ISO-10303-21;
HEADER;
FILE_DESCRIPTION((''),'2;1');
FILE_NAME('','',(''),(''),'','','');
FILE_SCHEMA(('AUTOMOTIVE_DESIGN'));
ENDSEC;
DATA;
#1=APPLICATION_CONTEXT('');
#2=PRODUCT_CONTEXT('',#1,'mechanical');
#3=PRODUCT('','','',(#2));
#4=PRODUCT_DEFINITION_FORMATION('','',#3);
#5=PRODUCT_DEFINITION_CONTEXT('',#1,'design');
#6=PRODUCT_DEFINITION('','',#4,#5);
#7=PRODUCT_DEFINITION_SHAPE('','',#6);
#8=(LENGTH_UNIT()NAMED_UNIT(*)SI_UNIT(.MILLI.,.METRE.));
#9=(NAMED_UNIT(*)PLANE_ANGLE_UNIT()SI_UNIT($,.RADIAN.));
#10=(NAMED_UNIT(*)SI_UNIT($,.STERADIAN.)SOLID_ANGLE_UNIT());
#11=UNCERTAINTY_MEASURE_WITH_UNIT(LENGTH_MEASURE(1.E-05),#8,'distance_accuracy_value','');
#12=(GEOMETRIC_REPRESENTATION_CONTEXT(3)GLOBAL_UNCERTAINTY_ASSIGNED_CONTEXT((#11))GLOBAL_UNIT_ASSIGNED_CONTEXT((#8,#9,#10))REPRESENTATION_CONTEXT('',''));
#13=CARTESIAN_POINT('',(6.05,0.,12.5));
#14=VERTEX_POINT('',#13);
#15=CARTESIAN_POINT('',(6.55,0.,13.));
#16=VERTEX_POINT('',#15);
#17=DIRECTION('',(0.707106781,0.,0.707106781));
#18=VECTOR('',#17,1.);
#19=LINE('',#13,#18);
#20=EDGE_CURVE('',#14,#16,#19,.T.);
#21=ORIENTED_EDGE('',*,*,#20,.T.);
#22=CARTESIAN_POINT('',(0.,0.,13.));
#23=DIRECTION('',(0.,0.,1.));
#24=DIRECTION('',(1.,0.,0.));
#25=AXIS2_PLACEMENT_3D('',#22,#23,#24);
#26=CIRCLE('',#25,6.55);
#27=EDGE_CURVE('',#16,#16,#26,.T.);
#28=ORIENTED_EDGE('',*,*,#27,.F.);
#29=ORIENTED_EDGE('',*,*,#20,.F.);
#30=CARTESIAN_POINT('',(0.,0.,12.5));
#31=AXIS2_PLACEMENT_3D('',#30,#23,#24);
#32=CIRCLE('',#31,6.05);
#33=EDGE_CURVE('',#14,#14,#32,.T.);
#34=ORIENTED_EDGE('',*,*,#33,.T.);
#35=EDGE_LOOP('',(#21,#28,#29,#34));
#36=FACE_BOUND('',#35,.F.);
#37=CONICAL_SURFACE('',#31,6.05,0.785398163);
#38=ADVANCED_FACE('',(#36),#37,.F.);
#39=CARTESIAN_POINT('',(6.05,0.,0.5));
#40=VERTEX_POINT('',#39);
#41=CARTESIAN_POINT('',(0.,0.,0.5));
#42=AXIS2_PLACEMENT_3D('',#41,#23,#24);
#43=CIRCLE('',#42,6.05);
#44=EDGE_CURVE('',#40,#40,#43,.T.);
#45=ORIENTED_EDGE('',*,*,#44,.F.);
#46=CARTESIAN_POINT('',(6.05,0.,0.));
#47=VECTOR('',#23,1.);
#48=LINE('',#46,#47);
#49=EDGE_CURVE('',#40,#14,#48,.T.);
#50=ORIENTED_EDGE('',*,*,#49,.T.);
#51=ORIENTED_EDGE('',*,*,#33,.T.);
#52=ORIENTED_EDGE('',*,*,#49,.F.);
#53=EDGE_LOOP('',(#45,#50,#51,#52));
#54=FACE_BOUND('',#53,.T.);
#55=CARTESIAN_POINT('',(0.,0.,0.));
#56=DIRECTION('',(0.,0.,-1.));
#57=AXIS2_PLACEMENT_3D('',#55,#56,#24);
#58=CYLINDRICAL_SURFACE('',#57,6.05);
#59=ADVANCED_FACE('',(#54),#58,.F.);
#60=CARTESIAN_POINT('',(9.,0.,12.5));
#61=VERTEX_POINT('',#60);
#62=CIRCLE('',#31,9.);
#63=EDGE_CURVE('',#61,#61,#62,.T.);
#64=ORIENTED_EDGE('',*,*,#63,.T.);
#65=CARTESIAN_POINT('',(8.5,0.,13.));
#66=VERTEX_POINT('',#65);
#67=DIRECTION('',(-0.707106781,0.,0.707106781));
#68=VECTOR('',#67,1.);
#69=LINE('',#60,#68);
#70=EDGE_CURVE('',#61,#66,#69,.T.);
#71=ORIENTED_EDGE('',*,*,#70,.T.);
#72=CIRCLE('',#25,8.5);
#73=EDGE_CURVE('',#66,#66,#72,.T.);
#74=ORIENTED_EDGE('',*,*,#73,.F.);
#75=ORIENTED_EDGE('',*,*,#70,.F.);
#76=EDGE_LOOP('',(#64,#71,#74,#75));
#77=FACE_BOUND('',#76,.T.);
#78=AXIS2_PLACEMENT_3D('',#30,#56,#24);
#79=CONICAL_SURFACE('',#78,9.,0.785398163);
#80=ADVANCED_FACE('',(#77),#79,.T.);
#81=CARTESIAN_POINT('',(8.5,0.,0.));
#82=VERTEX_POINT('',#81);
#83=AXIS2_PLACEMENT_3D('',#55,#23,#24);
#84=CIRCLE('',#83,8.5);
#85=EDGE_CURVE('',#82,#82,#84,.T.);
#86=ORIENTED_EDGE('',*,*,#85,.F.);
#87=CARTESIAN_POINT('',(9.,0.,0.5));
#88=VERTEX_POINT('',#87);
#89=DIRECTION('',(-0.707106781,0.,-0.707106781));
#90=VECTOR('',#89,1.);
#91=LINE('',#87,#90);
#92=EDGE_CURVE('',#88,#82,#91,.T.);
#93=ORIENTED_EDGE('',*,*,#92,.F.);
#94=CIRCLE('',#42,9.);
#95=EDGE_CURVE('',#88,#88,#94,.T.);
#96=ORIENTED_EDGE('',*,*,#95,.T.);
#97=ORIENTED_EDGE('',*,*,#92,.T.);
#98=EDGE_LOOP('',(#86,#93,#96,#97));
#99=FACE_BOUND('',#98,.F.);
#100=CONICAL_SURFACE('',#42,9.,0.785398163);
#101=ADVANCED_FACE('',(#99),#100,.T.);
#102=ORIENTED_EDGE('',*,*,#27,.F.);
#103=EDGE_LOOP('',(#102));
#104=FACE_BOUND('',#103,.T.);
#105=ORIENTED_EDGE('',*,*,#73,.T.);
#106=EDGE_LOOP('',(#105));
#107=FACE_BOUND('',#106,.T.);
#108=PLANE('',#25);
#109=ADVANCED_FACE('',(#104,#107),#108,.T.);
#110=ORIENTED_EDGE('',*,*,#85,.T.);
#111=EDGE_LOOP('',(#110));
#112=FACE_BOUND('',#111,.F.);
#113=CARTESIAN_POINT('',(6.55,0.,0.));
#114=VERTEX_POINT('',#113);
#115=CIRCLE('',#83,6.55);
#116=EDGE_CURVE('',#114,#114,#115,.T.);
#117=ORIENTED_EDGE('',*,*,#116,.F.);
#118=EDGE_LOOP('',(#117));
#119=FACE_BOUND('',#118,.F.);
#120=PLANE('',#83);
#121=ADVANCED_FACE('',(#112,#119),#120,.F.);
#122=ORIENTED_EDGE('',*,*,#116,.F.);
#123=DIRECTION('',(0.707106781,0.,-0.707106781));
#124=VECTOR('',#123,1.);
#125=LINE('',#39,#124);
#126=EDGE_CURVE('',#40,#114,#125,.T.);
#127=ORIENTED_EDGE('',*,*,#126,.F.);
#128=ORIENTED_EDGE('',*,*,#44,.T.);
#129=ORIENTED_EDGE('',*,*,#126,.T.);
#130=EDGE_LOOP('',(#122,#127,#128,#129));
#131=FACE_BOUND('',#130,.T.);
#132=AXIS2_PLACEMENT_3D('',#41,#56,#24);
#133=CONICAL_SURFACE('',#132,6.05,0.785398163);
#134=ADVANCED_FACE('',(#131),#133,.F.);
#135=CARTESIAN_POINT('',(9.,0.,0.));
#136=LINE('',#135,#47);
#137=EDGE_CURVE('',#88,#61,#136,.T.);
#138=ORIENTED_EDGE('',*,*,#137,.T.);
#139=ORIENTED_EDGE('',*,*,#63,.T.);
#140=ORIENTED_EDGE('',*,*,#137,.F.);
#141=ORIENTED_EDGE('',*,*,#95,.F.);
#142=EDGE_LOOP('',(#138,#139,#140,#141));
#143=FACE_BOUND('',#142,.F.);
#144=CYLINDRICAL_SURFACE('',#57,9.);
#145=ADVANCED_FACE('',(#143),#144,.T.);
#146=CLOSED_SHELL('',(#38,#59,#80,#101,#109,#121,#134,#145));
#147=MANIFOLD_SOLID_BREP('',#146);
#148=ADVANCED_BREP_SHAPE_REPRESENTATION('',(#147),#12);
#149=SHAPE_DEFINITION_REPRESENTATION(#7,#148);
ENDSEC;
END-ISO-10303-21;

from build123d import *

# Parameters (mm, degrees)
F0_R     = 9
F0_R_2   = 6.05
F1_DEPTH = 13
F2_SIZE  = 0.5


with BuildPart() as f1:
    # F0 (on Top) → F1 (new body)
    with BuildSketch(Plane.XY):
        Circle(F0_R)
        Circle(F0_R_2, mode=Mode.SUBTRACT)
    extrude(amount=F1_DEPTH)

    # F2
    f2_edges = [f1.edges().sort_by_distance(p)[0] for p in [
        (6.05, 0, 6.5),
        (-6.05, 0, 0),
        (-6.05, 0, 13),
        (9, 0, 6.5),
        (-9, 0, 0),
        (-9, 0, 13),
    ]]
    chamfer(f2_edges, length=F2_SIZE)


solid = f1.part
